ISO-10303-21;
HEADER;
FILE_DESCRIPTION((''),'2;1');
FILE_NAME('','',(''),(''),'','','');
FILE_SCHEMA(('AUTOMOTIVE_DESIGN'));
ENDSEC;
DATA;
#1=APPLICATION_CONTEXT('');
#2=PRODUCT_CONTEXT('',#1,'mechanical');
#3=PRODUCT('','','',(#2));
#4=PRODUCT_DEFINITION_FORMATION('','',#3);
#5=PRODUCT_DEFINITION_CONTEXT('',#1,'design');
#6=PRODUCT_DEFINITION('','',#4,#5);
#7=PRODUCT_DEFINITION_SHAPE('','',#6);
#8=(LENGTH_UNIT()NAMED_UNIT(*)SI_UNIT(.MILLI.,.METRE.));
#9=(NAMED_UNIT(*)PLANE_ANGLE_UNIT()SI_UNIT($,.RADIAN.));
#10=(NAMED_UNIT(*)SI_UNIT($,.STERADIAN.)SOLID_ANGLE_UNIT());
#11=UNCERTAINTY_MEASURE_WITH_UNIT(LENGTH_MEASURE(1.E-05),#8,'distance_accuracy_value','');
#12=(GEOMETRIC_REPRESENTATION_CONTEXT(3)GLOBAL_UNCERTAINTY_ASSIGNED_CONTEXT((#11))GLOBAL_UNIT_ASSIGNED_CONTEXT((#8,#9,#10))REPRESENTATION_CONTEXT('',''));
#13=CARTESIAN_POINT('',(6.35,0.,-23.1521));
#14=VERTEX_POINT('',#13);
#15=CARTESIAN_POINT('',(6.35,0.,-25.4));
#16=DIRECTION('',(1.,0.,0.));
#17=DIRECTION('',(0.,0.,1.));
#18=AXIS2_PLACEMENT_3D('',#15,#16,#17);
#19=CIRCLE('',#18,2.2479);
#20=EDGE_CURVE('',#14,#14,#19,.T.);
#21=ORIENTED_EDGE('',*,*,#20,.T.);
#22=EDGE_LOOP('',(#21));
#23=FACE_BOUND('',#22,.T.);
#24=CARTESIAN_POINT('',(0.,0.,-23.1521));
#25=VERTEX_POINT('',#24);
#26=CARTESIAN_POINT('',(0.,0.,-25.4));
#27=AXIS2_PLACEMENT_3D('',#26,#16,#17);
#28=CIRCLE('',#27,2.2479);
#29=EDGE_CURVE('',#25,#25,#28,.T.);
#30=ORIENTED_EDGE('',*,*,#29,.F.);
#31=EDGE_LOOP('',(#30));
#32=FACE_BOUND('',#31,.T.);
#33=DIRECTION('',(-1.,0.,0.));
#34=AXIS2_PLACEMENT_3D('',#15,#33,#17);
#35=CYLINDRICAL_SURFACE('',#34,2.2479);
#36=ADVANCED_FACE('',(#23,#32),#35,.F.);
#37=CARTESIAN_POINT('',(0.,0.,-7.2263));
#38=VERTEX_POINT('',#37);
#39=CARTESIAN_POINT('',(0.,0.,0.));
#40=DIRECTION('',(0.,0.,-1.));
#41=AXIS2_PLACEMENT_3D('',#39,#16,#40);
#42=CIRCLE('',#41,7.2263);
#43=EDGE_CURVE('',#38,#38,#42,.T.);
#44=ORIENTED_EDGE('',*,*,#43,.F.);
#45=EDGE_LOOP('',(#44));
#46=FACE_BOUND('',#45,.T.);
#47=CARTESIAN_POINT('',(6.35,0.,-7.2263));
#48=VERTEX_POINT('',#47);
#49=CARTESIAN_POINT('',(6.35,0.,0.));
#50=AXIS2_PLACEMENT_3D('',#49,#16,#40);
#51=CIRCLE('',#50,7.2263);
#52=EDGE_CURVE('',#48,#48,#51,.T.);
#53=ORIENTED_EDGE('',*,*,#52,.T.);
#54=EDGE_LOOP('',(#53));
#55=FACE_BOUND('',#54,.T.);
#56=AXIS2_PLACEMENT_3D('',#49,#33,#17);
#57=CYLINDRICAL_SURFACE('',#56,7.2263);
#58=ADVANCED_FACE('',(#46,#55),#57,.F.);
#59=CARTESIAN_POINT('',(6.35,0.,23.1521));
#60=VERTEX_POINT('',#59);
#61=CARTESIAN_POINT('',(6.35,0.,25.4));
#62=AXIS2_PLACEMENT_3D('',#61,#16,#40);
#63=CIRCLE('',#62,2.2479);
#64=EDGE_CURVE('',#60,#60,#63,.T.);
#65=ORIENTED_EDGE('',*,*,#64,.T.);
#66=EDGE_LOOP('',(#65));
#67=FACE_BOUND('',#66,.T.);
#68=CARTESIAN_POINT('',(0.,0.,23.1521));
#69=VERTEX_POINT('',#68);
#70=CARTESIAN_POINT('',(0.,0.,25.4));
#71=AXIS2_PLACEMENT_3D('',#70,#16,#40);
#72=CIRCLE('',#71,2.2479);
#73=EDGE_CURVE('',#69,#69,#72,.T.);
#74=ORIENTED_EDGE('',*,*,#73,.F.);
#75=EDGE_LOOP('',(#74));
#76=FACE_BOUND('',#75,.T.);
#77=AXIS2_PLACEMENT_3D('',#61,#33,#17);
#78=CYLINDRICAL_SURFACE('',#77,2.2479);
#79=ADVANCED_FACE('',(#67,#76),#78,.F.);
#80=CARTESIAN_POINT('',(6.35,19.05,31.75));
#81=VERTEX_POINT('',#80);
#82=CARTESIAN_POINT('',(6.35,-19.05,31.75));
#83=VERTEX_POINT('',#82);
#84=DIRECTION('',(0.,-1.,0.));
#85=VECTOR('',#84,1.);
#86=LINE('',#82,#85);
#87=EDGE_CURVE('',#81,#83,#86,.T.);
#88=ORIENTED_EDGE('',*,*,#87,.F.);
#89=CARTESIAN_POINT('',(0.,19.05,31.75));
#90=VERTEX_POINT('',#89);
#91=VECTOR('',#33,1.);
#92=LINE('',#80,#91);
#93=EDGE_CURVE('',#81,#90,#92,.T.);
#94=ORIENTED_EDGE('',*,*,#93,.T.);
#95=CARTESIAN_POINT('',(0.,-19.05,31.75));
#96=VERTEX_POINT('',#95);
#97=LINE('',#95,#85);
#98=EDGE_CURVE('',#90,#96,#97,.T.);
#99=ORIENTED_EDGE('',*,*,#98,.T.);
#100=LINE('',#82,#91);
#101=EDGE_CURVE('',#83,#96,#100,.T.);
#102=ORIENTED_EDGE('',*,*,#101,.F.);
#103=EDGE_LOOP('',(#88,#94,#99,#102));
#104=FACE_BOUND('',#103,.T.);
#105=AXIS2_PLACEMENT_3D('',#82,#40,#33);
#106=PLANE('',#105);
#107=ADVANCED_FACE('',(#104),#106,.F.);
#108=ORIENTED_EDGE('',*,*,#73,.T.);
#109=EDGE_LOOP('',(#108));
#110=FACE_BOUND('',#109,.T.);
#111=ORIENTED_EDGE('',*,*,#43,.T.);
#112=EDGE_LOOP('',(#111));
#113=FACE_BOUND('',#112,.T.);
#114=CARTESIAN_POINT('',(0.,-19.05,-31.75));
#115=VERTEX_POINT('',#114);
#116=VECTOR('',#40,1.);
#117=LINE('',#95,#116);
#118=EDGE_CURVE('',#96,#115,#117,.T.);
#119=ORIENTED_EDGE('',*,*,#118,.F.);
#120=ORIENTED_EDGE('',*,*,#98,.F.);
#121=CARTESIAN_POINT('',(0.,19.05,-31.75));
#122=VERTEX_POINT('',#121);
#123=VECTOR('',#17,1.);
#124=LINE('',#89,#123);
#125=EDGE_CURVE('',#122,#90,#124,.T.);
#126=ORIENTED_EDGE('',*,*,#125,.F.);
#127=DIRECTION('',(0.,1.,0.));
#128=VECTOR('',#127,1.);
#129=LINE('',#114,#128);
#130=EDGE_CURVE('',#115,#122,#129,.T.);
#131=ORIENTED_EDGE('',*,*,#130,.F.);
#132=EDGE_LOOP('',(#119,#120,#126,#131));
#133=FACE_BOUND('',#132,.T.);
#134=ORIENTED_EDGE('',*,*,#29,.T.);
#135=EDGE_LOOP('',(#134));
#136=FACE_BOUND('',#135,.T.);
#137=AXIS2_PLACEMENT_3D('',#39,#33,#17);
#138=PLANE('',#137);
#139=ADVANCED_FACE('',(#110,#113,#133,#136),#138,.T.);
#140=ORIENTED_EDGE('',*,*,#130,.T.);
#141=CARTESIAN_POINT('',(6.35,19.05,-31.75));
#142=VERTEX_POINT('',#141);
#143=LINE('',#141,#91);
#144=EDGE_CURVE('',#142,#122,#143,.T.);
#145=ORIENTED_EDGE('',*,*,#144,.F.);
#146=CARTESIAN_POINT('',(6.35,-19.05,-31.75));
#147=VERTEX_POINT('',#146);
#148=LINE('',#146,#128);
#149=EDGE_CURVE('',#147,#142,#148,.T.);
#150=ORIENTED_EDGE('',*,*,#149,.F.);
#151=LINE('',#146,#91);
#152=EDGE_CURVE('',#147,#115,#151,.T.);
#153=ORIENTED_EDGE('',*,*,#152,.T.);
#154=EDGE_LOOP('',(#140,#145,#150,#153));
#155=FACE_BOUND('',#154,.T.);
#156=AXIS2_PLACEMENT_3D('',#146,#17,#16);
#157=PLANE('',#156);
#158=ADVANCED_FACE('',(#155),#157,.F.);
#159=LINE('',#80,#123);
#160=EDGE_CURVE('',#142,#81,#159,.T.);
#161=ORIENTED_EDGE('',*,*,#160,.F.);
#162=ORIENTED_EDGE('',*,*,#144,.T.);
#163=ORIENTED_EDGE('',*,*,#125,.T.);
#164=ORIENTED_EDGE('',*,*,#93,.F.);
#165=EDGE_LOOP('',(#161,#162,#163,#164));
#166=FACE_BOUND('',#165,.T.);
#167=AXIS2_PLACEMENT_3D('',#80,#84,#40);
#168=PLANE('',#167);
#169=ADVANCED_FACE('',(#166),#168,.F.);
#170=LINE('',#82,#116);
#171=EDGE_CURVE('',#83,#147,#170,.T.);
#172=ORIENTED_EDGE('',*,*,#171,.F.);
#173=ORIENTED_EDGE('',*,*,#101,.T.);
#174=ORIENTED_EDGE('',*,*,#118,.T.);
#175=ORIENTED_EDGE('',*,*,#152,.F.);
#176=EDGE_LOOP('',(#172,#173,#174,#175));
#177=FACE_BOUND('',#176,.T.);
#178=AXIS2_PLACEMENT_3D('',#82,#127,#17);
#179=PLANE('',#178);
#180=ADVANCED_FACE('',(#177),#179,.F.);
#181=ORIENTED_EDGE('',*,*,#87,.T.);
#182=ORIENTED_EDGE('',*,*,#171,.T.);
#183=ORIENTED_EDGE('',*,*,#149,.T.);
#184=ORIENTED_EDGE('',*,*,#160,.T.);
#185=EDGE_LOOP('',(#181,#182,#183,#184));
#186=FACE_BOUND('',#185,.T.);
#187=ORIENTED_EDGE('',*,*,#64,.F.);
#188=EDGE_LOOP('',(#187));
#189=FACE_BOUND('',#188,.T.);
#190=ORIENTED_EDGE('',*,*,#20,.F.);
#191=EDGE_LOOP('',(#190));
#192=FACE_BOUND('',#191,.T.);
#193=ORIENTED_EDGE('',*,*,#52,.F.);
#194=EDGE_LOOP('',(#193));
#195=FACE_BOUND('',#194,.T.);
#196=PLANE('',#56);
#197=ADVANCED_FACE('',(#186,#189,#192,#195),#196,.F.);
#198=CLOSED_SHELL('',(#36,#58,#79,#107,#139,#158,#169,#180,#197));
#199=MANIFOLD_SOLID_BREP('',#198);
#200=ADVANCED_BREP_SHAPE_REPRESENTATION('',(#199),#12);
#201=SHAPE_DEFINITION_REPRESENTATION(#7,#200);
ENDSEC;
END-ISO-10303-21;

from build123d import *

# Parameters (mm, degrees)
SKETCH1_W           = 63.5
SKETCH1_H           = 38.1
SKETCH1_R           = 7.2263
SKETCH1_R_2         = 2.2479
BOSS_EXTRUDE1_DEPTH = 6.35


with BuildPart() as part:
    # Sketch1 → Boss-Extrude1 (new body)
    with BuildSketch(Plane(origin=(0, 0, 0), x_dir=(0, 0, -1), z_dir=(1, 0, 0))):
        Rectangle(SKETCH1_W, SKETCH1_H)
        Circle(SKETCH1_R, mode=Mode.SUBTRACT)
        with Locations((-25.4, 0)):
            Circle(SKETCH1_R_2, mode=Mode.SUBTRACT)
        with Locations(Location((25.4, 0, 0), (0, 0, 180))):
            Circle(SKETCH1_R_2, mode=Mode.SUBTRACT)
    extrude(amount=BOSS_EXTRUDE1_DEPTH)


solid = part.part
